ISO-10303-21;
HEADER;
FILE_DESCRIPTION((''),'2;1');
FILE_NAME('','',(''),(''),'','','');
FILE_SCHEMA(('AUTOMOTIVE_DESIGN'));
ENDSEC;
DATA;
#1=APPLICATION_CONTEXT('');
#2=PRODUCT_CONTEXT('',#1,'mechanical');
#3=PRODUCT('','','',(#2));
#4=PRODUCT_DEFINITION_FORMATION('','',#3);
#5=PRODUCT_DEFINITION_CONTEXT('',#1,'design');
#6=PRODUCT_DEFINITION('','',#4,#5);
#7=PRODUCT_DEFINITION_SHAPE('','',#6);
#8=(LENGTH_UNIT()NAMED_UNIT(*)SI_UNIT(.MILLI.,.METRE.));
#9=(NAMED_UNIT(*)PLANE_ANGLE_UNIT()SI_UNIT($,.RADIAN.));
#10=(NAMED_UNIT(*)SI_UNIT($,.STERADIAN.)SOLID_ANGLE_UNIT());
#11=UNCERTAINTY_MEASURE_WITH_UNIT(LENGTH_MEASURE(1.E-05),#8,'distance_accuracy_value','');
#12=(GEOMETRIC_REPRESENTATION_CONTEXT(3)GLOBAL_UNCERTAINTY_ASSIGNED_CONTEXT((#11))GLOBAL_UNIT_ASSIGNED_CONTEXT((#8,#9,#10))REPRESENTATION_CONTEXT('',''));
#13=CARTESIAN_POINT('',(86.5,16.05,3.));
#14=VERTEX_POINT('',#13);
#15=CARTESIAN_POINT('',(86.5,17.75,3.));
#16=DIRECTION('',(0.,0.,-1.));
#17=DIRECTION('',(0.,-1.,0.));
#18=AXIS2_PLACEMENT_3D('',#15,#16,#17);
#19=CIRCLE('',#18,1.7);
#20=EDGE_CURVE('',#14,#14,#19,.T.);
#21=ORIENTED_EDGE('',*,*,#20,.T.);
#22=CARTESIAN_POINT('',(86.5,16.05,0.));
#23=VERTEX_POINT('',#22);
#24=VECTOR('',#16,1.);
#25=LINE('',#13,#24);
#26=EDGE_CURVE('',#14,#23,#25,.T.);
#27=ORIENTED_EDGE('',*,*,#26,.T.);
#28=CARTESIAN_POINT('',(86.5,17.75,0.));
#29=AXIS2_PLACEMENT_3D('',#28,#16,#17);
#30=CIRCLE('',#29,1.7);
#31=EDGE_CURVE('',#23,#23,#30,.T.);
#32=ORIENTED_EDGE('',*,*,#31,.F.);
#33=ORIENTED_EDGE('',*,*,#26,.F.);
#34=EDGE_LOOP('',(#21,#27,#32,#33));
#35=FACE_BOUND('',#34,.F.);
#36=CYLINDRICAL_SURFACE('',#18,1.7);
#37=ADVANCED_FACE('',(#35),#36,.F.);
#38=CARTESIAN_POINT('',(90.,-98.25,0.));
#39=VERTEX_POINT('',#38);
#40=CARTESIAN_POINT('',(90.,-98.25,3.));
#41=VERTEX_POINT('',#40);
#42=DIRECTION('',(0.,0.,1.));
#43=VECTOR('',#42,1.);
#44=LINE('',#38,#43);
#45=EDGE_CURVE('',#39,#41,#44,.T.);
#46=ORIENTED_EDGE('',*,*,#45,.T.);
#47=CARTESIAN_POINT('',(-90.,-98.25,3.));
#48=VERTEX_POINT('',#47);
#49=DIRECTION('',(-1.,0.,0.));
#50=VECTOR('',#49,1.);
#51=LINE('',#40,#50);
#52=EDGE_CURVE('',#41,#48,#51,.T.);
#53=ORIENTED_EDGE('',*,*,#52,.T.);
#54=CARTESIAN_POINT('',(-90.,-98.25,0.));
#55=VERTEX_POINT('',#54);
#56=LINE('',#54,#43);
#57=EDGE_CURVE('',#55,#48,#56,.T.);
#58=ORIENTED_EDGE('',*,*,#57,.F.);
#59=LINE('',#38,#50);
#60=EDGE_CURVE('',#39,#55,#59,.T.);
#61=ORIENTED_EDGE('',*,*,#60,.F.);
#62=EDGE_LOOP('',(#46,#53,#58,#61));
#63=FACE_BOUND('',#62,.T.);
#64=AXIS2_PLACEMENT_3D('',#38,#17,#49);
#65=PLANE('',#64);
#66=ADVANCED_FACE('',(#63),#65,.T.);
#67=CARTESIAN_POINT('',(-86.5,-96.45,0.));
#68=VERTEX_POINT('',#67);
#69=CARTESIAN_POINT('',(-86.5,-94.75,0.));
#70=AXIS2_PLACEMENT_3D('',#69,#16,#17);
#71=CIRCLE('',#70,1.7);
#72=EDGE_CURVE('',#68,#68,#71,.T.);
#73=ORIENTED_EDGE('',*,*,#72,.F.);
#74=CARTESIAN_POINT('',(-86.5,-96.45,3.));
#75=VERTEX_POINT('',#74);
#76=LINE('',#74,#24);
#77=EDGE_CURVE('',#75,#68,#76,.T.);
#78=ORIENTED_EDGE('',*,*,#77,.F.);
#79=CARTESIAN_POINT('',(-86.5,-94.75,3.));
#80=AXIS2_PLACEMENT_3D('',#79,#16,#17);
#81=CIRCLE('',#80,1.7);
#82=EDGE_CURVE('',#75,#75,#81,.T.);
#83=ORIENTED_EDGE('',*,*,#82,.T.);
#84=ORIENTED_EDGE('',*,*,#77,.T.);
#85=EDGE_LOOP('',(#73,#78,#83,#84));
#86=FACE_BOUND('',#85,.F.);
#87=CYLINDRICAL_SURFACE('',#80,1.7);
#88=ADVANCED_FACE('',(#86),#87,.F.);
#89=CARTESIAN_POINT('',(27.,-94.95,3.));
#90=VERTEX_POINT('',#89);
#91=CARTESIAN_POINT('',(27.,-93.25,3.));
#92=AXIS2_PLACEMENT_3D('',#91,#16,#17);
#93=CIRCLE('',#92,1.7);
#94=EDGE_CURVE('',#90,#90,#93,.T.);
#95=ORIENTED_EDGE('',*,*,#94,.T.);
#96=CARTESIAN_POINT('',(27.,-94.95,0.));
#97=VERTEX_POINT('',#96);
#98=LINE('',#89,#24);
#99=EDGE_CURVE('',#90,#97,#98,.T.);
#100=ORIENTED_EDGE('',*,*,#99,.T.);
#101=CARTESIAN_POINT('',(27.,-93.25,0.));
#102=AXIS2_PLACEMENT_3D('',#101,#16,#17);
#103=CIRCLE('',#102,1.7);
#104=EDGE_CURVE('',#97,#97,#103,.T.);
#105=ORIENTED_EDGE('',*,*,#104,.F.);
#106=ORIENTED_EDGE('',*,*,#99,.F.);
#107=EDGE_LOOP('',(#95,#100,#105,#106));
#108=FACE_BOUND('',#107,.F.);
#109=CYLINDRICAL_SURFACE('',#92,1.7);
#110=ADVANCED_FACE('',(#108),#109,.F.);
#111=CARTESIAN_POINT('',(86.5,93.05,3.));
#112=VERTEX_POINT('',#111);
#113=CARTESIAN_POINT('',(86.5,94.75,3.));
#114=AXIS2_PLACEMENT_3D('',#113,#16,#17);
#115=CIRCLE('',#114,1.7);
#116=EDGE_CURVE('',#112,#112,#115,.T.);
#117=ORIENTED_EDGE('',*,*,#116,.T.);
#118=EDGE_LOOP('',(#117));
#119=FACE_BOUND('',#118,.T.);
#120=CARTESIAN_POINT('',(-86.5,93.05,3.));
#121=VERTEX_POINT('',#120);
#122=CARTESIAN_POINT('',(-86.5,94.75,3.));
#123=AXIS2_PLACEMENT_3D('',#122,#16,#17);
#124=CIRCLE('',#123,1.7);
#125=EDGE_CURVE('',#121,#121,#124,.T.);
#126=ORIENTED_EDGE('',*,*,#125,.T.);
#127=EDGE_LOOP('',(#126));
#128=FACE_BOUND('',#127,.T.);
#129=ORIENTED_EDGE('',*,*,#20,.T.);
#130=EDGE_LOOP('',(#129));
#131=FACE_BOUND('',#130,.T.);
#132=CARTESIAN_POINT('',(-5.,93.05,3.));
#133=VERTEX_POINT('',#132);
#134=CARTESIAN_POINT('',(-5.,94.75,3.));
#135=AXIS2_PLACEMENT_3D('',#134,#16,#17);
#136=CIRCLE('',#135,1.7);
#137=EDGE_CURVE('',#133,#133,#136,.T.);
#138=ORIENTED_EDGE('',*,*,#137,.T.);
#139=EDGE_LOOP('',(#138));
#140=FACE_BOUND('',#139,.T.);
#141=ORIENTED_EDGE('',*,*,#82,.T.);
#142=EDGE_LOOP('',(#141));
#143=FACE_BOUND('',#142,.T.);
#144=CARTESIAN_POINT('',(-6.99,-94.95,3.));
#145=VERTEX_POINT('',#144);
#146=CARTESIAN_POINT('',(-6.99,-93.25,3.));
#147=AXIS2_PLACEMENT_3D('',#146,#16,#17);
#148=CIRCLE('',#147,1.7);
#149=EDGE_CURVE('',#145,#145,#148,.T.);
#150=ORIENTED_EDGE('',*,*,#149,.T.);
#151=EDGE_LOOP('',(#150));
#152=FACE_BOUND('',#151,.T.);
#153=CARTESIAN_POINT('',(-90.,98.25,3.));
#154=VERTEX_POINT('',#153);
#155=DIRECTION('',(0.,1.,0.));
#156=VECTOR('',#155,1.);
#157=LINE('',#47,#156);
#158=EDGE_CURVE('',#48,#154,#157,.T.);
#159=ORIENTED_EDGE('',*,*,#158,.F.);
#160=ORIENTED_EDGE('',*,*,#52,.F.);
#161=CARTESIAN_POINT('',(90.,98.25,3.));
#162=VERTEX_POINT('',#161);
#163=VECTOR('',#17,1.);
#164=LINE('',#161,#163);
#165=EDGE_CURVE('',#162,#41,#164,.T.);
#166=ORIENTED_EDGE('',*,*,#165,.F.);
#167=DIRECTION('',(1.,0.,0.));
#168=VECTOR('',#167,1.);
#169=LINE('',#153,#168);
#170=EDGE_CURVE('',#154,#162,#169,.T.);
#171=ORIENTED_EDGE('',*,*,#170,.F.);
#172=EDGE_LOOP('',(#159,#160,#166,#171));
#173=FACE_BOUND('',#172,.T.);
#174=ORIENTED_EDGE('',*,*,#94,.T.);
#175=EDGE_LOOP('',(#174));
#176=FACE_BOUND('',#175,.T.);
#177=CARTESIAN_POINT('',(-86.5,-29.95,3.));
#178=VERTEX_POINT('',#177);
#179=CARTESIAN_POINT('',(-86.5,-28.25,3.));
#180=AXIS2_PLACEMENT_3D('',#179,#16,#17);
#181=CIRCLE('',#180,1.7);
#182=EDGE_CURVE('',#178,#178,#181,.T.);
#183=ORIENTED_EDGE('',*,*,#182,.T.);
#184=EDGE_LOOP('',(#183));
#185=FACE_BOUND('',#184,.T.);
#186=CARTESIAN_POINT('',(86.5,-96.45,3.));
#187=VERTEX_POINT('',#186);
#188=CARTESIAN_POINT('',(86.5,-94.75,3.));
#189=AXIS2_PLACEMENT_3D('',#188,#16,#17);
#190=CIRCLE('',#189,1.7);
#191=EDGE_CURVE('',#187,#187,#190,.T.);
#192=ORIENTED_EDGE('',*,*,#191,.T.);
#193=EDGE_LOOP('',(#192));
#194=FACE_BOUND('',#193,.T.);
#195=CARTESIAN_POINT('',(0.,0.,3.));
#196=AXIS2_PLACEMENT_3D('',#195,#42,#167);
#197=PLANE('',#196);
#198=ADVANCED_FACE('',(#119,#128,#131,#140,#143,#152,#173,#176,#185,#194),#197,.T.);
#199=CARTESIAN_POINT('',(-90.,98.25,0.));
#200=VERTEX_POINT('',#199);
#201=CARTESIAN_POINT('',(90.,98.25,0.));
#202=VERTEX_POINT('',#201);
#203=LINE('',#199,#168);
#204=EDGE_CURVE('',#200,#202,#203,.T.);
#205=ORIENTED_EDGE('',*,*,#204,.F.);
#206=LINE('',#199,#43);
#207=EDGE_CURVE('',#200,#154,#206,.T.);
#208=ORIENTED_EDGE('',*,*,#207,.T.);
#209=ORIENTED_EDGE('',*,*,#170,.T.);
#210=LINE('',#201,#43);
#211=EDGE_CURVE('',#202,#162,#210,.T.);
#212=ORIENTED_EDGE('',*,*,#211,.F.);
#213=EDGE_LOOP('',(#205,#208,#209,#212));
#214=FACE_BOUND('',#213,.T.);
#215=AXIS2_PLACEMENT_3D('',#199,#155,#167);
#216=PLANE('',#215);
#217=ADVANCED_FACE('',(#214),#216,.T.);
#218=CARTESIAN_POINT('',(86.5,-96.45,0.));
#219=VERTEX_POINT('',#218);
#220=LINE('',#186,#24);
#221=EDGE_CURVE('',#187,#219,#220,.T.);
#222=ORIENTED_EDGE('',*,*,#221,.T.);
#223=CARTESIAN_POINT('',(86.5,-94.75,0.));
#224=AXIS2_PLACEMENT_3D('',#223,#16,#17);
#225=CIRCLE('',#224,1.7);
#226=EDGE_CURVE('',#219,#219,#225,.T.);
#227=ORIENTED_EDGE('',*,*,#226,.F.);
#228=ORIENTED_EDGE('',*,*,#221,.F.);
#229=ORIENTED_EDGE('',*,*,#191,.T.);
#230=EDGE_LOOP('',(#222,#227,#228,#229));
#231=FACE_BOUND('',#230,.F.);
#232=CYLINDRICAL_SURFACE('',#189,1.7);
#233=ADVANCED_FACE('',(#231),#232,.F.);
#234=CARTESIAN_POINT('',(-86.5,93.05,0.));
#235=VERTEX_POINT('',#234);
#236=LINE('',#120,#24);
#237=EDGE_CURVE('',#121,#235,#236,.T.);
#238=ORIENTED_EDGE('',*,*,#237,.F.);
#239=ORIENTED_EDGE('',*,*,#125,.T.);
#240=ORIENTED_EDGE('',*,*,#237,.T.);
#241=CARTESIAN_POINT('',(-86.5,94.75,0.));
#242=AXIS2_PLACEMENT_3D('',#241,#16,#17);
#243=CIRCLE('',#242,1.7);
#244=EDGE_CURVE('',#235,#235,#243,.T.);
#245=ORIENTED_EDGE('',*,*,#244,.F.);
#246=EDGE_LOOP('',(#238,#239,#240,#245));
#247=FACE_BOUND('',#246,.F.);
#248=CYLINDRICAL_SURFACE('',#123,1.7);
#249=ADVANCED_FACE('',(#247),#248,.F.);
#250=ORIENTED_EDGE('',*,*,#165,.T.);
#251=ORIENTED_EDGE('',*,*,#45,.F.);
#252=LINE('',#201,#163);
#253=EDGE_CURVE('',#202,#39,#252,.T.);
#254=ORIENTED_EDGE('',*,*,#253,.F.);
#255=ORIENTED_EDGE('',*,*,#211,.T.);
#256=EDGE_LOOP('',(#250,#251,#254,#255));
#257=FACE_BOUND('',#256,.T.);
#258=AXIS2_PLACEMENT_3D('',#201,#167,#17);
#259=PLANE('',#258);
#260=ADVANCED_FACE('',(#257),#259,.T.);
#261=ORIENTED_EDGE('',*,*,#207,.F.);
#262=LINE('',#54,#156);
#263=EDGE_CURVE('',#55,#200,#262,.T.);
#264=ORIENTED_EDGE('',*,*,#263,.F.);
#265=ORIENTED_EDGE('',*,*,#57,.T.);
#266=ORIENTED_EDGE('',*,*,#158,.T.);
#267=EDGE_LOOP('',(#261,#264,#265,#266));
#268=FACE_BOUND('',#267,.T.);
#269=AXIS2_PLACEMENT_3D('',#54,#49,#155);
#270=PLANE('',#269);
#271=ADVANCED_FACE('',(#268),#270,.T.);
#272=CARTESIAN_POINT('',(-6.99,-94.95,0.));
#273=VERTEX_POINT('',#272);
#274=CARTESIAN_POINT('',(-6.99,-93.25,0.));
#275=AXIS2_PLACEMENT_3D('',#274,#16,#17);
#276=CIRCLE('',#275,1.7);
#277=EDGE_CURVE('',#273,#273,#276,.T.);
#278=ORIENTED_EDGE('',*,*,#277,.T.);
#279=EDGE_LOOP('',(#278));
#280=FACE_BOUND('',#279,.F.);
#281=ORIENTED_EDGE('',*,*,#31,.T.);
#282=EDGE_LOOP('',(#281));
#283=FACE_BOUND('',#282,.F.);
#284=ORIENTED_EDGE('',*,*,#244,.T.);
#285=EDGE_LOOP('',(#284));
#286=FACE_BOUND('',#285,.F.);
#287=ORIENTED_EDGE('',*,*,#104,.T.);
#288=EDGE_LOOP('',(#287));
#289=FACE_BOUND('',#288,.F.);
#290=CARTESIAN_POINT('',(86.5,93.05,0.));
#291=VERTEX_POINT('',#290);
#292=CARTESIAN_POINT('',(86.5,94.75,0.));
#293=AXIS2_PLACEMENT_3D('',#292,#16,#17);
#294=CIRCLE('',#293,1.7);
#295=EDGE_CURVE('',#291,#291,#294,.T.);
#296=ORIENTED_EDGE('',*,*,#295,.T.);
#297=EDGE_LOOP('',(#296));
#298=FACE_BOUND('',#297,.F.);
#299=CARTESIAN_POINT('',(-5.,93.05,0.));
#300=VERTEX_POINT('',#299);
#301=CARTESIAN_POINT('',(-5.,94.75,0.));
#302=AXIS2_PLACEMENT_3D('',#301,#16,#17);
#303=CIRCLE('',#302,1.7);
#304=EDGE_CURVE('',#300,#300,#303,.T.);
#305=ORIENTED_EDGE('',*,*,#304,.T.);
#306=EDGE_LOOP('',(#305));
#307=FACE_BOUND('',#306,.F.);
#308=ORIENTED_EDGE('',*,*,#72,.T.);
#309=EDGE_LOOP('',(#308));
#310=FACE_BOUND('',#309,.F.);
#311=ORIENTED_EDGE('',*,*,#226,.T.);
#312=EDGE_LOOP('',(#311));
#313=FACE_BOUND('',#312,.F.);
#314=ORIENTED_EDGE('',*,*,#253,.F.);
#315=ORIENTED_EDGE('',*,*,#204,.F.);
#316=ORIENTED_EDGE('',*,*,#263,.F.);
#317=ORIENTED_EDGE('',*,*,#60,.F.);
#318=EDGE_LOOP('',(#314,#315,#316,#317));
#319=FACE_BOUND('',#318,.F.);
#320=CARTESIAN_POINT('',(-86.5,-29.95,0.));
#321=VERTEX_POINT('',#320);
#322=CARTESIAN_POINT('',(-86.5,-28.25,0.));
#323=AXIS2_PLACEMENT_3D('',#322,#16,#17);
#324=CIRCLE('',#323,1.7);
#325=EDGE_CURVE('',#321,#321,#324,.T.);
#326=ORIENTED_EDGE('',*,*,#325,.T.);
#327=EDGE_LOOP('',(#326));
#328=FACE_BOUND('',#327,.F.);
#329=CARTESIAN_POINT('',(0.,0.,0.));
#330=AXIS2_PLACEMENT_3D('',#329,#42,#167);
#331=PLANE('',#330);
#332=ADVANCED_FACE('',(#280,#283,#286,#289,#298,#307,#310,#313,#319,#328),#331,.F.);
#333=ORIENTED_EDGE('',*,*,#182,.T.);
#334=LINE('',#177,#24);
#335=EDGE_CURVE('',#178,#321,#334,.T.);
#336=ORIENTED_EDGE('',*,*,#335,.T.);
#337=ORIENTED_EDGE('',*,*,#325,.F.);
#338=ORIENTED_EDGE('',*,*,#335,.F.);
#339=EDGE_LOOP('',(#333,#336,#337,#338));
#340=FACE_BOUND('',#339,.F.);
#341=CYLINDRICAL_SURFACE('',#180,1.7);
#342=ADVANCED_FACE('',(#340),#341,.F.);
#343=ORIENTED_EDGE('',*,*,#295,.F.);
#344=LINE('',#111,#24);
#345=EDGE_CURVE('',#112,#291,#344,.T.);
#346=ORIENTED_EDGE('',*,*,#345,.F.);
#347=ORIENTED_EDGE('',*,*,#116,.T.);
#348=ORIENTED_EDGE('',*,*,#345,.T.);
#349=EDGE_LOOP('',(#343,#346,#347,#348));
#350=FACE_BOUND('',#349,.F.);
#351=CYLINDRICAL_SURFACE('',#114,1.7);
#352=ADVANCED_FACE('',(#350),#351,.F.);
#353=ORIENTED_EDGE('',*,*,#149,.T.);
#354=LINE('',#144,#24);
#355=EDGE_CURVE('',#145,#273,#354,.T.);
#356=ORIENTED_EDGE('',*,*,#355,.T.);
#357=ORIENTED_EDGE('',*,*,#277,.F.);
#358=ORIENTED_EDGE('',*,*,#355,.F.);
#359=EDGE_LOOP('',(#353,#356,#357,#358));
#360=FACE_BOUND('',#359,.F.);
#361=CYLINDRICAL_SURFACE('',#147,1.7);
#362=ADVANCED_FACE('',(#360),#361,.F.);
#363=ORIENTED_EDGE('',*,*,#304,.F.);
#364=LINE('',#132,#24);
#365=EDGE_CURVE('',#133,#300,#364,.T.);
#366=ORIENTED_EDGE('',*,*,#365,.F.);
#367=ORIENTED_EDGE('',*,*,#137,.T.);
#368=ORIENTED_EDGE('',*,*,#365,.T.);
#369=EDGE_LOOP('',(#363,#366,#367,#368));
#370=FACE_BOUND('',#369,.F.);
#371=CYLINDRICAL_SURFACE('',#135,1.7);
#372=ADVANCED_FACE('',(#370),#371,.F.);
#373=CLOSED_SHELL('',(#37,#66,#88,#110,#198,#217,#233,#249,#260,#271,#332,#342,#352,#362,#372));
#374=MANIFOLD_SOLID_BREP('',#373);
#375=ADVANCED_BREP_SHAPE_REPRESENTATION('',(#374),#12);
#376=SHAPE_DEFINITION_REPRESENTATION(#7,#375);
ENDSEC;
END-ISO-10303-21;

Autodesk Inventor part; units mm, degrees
ref_plane "YZ Plane" through (0, 0, 0) normal (1, 0, 0) x (0, 1, 0)
ref_plane "XZ Plane" through (0, 0, 0) normal (0, 1, 0) x (-1, 0, 0)
ref_plane "XY Plane" through (0, 0, 0) normal (0, 0, 1) x (1, 0, 0)
sketch "Sketch1" plane through (0, 0, 0) normal (0, 0, 1) x (1, 0, 0)
  line L0 (-90, 98.25) -> (90, 98.25)
  line L1 (90, 98.25) -> (90, -98.25)
  line L2 (90, -98.25) -> (-90, -98.25)
  line L3 (-90, -98.25) -> (-90, 98.25)
  point P0 (0, 0)
  point P1 (0, 98.25)
  point P2 (-90, 0)
  dimension "d9" = 180
  dimension "d15" = 196.5
extrude "Extrusion1" add sketch "Sketch1" along normal blind 3
sketch "Sketch2" plane through (0, 0, 3) normal (0, 0, 1) x (1, 0, 0)
  line L0 (90, 98.25) -> (-90, 98.25) projected
  line L1 (-90, 98.25) -> (-90, -98.25) projected
  line L2 (-90, -98.25) -> (90, -98.25) projected
  line L3 (90, -98.25) -> (90, 98.25) projected
  line L4 (90, 98.25) -> (-90, 98.25) projected
  line L5 (-90, 98.25) -> (-90, -98.25) projected
  line L6 (86.5, 94.75) -> (86.5, -94.75)
  line L7 (86.5, -94.75) -> (-86.5, -94.75)
  line L8 (-86.5, -94.75) -> (-86.5, 94.75)
  line L9 (-86.5, 94.75) -> (86.5, 94.75)
  line L10 (-6.99, -93.25) -> (27, -93.25)
  point P0 (0, 0)
  point P1 (-86.5, -28.25)
  point P2 (86.5, 17.75)
  point P3 (-5, 94.75)
  dimension "d21" = 3.5
  dimension "d22" = 85
  dimension "d23" = 116
  dimension "d26" = 70
  dimension "d34" = 5
  dimension "d35" = 117
  dimension "d36" = 83.01
hole "Hole1" at (-86.5, 94.75, 3) at (86.5, 94.75, 3) at (-86.5, -94.75, 3) at (86.5, -94.75, 3) at (-86.5, -28.25, 3) at (86.5, 17.75, 3) at (-5, 94.75, 3) at (-6.99, -93.25, 3) at (27, -93.25, 3) direction (0, 0, -1) diameter 3.4 end through all clearance for "Flat Head Machine Screw" size "M3" standard "Ansi Metric M Profile"
properties part number "XILINX BOARD FOOTPRINT"
